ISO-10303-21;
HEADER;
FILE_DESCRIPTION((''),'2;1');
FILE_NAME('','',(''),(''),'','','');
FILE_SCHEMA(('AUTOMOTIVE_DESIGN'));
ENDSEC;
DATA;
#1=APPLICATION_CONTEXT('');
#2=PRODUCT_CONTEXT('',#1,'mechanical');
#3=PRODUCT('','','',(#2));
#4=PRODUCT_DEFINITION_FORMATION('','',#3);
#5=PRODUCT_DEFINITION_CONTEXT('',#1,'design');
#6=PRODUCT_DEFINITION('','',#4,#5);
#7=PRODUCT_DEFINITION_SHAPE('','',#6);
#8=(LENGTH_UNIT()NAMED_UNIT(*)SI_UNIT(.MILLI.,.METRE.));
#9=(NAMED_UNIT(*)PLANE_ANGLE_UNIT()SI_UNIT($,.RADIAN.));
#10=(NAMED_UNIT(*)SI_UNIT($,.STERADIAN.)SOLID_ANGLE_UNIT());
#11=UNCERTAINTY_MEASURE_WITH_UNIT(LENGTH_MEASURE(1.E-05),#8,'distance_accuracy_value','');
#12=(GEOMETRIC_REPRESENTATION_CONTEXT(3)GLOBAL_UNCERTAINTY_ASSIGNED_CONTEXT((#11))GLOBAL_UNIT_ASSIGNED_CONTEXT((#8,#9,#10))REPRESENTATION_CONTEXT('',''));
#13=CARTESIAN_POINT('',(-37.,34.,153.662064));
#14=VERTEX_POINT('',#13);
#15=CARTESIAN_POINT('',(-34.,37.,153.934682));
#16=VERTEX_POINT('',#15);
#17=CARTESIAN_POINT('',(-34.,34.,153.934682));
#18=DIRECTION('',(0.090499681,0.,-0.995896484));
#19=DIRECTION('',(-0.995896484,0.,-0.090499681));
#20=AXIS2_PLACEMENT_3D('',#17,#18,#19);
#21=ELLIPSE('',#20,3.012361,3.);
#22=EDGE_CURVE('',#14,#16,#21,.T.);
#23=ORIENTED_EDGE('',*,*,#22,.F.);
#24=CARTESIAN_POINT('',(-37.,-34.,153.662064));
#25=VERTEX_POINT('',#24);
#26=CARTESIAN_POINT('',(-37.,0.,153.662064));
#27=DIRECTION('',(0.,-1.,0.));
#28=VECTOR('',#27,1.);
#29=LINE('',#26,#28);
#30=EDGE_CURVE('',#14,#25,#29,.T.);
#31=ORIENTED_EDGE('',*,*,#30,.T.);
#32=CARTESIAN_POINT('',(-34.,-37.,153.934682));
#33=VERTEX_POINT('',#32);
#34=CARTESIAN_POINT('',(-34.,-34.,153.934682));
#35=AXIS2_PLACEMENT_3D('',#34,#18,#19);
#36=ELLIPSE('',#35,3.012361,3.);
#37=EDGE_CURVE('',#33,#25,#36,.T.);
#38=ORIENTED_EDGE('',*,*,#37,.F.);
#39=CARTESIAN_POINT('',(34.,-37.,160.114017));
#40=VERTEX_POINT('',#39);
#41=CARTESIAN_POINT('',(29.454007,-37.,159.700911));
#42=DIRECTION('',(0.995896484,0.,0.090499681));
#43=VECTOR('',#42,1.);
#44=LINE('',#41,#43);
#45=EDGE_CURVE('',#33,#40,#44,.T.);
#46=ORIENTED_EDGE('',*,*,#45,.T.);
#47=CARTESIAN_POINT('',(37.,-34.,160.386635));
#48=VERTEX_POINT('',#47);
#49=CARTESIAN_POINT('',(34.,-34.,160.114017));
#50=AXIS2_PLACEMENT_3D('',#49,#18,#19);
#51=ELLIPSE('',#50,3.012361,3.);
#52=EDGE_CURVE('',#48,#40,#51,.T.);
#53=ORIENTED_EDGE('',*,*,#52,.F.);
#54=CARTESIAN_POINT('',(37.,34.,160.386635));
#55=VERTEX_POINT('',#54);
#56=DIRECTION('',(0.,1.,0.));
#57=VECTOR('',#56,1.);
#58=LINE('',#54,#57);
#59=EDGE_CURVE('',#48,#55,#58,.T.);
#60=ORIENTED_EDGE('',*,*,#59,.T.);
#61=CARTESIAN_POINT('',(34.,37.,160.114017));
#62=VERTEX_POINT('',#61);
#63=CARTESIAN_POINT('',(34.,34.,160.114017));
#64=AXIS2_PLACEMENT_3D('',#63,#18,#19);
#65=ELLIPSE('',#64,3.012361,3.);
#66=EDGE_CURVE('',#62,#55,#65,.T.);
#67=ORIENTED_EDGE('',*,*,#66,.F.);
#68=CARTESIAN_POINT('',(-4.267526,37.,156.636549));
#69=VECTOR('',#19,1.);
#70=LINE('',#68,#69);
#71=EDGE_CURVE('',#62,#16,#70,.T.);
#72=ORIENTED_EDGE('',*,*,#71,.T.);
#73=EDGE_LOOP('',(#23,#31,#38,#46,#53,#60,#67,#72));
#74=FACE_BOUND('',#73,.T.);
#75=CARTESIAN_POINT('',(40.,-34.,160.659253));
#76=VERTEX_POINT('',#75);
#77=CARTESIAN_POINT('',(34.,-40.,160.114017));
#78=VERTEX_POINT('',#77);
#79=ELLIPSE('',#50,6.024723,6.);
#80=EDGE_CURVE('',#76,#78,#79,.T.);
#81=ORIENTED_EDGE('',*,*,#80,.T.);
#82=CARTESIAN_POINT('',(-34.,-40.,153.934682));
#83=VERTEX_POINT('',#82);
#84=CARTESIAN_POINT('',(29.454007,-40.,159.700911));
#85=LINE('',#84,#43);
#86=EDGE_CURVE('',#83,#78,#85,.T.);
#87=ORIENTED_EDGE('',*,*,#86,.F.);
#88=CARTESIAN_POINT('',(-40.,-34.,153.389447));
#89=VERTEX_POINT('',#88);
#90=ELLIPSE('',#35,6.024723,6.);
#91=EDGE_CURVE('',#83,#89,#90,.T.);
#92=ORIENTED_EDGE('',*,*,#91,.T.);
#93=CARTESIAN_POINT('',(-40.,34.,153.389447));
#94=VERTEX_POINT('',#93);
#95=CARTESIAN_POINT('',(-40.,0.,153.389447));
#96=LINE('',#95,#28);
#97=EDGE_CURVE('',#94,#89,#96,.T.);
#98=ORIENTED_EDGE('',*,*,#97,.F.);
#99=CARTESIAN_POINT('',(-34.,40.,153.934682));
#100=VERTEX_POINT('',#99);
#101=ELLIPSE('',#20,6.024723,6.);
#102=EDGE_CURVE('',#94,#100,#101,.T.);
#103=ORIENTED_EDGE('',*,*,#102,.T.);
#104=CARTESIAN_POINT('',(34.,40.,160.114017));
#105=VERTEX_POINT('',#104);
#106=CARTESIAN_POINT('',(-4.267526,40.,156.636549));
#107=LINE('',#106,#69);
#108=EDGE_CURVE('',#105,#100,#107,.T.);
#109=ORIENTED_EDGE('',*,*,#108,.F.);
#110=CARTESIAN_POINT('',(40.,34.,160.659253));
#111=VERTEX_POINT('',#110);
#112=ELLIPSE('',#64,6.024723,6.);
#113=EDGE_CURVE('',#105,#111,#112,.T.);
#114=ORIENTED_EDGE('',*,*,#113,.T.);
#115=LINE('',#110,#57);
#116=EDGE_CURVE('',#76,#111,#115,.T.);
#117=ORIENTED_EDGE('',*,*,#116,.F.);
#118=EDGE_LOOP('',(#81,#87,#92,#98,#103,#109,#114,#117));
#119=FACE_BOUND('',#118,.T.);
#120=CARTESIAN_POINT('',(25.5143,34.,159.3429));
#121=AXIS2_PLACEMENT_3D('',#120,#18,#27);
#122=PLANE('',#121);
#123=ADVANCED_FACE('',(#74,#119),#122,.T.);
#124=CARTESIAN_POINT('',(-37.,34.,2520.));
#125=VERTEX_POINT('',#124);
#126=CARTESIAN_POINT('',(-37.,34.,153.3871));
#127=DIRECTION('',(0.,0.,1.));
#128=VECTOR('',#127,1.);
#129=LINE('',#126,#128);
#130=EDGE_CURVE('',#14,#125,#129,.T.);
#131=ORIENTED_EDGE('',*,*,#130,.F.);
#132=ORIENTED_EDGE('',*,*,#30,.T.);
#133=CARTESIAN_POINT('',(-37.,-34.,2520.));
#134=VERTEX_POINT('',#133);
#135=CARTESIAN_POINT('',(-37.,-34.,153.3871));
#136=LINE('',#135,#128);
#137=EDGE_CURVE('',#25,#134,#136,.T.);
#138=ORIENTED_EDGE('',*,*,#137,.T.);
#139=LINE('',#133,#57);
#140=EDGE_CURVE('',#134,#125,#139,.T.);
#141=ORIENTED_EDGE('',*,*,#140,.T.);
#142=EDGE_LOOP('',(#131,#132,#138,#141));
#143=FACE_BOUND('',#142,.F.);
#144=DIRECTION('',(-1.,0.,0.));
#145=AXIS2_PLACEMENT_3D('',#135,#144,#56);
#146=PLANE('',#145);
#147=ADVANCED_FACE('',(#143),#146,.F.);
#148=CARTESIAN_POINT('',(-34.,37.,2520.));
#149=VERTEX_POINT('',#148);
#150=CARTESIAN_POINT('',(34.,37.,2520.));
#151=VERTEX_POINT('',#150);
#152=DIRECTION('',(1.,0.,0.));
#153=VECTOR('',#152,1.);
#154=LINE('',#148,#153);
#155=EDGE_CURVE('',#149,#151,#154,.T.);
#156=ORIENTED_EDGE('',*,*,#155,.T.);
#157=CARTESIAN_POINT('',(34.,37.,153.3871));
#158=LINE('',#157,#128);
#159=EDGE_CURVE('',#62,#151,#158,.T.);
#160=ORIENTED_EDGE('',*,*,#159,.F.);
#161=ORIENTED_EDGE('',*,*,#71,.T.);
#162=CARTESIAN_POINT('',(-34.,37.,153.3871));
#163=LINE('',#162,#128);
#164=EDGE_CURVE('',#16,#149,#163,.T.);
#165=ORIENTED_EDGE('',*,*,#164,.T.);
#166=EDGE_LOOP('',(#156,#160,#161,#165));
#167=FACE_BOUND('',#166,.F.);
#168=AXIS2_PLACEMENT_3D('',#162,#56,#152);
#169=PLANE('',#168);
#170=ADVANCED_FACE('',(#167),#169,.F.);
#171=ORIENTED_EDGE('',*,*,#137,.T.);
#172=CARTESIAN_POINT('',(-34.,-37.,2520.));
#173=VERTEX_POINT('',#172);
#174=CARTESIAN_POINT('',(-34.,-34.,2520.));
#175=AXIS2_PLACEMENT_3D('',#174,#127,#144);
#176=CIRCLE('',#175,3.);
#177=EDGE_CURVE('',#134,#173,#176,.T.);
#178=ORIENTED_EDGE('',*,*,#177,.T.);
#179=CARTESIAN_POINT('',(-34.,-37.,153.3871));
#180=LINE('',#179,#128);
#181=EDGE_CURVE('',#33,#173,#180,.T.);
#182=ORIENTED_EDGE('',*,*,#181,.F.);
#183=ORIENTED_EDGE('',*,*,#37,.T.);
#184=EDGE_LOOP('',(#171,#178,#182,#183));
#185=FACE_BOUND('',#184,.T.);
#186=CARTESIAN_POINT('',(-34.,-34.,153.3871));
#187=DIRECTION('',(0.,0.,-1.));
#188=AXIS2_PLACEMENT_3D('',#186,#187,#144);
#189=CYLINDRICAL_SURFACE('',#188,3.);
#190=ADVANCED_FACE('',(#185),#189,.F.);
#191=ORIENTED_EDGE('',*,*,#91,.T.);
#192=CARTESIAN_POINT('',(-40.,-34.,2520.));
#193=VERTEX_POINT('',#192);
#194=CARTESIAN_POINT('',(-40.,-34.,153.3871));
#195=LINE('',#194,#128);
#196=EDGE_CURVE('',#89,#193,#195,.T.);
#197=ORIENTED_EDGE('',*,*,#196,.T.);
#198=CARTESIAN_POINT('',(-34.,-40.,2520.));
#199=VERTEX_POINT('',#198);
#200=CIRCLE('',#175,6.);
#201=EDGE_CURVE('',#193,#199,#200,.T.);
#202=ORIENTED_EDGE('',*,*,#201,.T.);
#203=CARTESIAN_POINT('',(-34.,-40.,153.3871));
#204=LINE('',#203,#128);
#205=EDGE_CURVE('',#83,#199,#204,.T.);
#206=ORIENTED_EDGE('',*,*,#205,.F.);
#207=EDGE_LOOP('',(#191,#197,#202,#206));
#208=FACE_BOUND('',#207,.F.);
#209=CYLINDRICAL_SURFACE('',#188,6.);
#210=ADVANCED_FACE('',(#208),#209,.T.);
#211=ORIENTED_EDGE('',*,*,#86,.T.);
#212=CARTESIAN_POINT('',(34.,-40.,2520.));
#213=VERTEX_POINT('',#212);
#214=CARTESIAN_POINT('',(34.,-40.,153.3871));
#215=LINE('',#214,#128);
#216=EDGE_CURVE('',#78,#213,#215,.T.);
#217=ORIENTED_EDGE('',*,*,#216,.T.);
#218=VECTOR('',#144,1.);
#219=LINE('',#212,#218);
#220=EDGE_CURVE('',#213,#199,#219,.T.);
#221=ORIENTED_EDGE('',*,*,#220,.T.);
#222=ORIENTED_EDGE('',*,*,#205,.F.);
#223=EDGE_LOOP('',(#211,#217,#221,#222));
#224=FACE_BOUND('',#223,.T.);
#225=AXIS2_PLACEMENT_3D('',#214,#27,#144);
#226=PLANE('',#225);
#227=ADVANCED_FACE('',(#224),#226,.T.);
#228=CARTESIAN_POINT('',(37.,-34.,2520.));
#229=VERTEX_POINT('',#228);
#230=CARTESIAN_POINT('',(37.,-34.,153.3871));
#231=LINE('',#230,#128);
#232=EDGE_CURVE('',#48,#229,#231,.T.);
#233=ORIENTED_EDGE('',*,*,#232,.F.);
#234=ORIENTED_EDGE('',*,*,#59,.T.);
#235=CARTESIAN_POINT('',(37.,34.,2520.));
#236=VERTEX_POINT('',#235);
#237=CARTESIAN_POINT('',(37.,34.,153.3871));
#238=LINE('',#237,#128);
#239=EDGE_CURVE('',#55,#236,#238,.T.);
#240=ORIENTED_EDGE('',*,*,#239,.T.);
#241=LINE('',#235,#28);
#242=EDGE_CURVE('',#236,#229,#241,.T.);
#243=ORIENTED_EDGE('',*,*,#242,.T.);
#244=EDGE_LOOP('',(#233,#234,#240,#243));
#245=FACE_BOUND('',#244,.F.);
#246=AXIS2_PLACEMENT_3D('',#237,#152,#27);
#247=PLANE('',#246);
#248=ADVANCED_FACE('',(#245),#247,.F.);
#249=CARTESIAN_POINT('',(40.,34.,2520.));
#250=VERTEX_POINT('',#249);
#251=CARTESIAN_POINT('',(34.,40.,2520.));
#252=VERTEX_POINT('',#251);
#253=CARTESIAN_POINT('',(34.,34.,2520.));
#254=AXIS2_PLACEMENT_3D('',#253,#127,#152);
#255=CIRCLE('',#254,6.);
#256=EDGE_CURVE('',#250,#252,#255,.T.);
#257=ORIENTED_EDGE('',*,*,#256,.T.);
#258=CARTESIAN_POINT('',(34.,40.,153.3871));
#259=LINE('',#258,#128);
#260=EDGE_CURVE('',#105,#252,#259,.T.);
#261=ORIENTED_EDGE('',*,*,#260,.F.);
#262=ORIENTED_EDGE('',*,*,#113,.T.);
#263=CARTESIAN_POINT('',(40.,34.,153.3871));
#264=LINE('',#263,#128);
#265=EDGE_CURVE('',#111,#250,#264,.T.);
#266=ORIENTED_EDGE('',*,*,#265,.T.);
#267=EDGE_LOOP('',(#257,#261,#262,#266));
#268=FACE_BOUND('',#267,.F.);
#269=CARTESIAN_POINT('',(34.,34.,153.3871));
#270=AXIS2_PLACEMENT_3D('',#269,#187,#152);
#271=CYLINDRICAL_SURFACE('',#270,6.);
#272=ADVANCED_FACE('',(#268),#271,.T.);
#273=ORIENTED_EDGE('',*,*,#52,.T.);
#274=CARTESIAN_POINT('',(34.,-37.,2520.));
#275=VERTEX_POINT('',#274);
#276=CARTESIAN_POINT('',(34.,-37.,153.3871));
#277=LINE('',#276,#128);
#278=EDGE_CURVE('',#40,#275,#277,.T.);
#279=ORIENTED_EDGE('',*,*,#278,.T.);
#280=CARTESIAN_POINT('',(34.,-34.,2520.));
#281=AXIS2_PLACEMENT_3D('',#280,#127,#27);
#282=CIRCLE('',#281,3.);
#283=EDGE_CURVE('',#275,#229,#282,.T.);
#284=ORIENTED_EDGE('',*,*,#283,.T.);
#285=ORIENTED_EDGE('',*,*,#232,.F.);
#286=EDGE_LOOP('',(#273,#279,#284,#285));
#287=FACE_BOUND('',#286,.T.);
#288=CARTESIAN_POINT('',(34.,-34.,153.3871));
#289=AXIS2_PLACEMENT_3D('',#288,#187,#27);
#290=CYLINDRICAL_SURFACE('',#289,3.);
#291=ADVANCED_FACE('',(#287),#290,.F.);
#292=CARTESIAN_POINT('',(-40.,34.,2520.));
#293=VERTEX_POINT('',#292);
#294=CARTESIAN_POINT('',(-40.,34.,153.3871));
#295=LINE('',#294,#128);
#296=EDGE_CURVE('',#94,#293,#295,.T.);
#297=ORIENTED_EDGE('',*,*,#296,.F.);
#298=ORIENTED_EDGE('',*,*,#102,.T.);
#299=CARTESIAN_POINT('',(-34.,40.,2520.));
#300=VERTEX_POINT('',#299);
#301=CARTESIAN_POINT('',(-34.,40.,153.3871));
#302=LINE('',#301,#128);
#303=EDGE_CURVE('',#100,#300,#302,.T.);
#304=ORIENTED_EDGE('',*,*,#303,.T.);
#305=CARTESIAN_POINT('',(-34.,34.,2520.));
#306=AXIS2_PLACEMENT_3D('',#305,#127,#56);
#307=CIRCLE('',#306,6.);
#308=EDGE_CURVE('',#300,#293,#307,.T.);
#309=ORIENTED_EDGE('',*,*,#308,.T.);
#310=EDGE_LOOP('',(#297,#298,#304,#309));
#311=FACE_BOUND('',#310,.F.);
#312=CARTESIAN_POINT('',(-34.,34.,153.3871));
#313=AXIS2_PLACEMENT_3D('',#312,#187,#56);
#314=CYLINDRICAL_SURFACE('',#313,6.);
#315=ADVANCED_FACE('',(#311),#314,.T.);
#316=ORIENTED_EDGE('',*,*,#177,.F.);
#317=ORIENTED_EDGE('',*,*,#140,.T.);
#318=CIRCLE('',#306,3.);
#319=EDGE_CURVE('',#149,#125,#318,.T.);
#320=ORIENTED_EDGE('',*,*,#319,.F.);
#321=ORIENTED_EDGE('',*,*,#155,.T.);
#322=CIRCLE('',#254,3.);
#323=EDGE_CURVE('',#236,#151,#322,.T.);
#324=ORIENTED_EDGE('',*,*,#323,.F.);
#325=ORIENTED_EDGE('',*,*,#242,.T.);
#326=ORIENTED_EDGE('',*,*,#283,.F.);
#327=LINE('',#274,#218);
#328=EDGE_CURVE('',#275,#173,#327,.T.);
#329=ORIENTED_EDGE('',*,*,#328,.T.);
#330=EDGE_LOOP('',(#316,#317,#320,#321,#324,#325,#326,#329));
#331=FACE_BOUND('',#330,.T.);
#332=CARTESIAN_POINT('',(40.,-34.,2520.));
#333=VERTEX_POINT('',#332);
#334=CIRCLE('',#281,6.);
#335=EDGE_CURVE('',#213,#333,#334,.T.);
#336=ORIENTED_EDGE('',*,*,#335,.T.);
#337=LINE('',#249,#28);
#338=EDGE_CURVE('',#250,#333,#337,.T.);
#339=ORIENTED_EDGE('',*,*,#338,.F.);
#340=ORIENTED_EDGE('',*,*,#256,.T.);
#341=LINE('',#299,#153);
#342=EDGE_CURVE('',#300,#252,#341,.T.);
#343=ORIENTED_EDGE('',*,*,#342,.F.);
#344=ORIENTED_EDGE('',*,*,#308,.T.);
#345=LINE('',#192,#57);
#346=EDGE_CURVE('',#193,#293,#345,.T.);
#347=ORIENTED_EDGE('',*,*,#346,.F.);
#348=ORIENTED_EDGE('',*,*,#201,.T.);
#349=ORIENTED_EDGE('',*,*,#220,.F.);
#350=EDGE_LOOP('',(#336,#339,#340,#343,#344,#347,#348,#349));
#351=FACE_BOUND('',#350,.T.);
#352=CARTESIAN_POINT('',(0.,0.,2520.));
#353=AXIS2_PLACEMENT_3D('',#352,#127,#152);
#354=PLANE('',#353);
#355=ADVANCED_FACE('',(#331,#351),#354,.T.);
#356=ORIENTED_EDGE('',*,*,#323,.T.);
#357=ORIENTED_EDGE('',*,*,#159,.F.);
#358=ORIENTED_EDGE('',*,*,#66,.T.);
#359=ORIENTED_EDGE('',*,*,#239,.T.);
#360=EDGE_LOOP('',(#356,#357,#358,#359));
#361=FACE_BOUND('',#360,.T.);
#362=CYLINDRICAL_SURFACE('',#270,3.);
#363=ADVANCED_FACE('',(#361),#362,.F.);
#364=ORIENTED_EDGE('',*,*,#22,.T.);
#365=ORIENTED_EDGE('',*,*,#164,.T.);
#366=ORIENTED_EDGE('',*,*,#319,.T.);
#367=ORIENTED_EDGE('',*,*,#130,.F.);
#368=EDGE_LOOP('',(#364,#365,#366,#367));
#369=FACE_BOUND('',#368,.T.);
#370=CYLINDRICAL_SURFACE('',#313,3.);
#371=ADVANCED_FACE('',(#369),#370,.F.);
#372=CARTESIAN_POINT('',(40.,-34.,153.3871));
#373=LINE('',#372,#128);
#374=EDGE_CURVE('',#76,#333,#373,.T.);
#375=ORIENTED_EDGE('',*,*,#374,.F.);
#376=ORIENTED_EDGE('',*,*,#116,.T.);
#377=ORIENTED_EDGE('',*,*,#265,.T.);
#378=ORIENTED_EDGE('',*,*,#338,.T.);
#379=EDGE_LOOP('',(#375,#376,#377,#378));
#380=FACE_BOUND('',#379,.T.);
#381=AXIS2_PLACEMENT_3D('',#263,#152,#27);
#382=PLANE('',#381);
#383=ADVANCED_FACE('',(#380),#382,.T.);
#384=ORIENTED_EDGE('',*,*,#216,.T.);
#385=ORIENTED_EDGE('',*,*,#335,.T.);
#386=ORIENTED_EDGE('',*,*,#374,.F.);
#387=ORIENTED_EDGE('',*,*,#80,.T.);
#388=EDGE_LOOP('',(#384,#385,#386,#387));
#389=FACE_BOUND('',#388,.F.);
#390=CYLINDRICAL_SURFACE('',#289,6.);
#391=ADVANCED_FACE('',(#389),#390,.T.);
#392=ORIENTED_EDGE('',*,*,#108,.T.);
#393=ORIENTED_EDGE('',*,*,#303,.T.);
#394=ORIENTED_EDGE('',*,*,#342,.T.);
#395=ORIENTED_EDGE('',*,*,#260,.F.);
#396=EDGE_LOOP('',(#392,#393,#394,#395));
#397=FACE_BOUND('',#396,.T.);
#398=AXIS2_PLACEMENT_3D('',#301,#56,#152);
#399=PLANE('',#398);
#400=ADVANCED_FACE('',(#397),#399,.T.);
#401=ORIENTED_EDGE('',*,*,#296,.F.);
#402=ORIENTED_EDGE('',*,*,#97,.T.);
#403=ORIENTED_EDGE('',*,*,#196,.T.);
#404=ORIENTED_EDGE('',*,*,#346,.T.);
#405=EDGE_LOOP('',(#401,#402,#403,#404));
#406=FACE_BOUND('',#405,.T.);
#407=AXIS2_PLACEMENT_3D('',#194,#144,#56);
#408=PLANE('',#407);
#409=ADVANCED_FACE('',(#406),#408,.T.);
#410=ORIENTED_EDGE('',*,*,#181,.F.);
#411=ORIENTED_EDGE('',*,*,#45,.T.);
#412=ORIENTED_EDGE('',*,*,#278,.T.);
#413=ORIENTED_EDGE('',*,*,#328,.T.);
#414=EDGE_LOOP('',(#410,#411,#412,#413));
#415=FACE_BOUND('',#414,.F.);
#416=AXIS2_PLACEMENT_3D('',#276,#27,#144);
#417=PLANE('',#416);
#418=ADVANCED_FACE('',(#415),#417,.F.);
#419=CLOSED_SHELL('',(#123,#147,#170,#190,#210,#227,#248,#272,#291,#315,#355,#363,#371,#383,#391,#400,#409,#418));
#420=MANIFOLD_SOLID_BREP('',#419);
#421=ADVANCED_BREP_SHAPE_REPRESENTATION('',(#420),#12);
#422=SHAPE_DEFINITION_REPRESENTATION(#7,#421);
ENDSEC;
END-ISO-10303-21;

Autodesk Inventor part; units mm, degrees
ref_plane "Start Plane" through (0, 0, 153.3871) normal (0, 0, 1) x (1, 0, 0)
ref_plane "End Plane" through (0, 0, 2520) normal (0, 0, 1) x (1, 0, 0)
sketch "Sketch" plane through (0, 0, 0) normal (0, 0, 1) x (1, 0, 0)
  line L0 (-40, -34) -> (-40, 34)
  line L1 (-34, 40) -> (34, 40)
  line L2 (40, 34) -> (40, -34)
  line L3 (34, -40) -> (-34, -40)
  arc A0 (-40, -34) -> (-34, -40) centre (-34, -34) ccw
  arc A1 (40, 34) -> (34, 40) centre (34, 34) ccw
  arc A2 (-34, 40) -> (-40, 34) centre (-34, 34) ccw
  arc A3 (34, -40) -> (40, -34) centre (34, -34) ccw
  arc A4 (-34, 37) -> (-37, 34) centre (-34, 34) ccw
  line L4 (-34, 37) -> (34, 37)
  arc A5 (37, 34) -> (34, 37) centre (34, 34) ccw
  line L5 (37, 34) -> (37, -34)
  arc A6 (34, -37) -> (37, -34) centre (34, -34) ccw
  line L6 (34, -37) -> (-34, -37)
  arc A7 (-37, -34) -> (-34, -37) centre (-34, -34) ccw
  line L7 (-37, -34) -> (-37, 34)
  line L8 (0, 57.7397) -> (0, -57.7397) construction
  line L9 (-57.7397, 0) -> (57.7397, 0) construction
  dimension "d7" = 6
  dimension "d9" = 80
  dimension "d11" = 80
  dimension "d12" = 3
  dimension "d15" = 40
  dimension "d16" = 40
extrude "Body" add sketch "Sketch" along normal up to surface (2366.6129 mm away) from surface at 153.3871
sketch "Sketch3" plane through (0, 0, 0) normal (0, 0, 1) x (1, 0, 0)
  line L0 (0, 0) -> (10, 0)
ref_plane "Work Plane3" through (0, 0, 0) normal (0, -1, 0) x (1, 0, 0)
ref_plane "Work Plane4" through (25.5143, 34, 159.3429) normal (0.0905, 0, -0.9959) x (-0.9959, 0, -0.0905)
split "Split1" plane through (25.5143, 34, 159.3429) removes the side toward (0.0905, 0, -0.9959)
ref_plane "Work Plane5" through (-2160, 34, 2520) normal (0, 0, 1) x (1, 0, 0)
split "Split2" plane through (-2160, 34, 2520) removes the side toward (0, 0, 1)
sketch "Sketch4" plane through (0, 0, 0) normal (0, -1, 0) x (1, 0, 0)
  line L0 (-2, 153.3871) -> (12, 153.3871) projected
  line L1 (-2, 2520) -> (12, 2520) projected
  dimension "d18" = 2366.6129
equation "\"d7\" = G_IR"
equation "\"d9\" = G_W"
equation "\"d11\" = G_H"
equation "\"d12\" = G_T"
equation "\"d15\" = 0.5 * d9"
equation "\"d16\" = 0.5 * d11"
equation "\"d3\" = G_L"
equation "\"G_W\" = 80"
equation "\"G_H\" = 80"
equation "\"G_T\" = 3"
equation "\"G_IR\" = 6"
equation "\"G_L\" = d18"
equation "\"G_OFFSET_START\" = -153.38707"
equation "\"d13\" = -G_OFFSET_START"
properties part number "ISO 10799-2 - 80x80x3 - 2366,61" material "Steel, Mild"
